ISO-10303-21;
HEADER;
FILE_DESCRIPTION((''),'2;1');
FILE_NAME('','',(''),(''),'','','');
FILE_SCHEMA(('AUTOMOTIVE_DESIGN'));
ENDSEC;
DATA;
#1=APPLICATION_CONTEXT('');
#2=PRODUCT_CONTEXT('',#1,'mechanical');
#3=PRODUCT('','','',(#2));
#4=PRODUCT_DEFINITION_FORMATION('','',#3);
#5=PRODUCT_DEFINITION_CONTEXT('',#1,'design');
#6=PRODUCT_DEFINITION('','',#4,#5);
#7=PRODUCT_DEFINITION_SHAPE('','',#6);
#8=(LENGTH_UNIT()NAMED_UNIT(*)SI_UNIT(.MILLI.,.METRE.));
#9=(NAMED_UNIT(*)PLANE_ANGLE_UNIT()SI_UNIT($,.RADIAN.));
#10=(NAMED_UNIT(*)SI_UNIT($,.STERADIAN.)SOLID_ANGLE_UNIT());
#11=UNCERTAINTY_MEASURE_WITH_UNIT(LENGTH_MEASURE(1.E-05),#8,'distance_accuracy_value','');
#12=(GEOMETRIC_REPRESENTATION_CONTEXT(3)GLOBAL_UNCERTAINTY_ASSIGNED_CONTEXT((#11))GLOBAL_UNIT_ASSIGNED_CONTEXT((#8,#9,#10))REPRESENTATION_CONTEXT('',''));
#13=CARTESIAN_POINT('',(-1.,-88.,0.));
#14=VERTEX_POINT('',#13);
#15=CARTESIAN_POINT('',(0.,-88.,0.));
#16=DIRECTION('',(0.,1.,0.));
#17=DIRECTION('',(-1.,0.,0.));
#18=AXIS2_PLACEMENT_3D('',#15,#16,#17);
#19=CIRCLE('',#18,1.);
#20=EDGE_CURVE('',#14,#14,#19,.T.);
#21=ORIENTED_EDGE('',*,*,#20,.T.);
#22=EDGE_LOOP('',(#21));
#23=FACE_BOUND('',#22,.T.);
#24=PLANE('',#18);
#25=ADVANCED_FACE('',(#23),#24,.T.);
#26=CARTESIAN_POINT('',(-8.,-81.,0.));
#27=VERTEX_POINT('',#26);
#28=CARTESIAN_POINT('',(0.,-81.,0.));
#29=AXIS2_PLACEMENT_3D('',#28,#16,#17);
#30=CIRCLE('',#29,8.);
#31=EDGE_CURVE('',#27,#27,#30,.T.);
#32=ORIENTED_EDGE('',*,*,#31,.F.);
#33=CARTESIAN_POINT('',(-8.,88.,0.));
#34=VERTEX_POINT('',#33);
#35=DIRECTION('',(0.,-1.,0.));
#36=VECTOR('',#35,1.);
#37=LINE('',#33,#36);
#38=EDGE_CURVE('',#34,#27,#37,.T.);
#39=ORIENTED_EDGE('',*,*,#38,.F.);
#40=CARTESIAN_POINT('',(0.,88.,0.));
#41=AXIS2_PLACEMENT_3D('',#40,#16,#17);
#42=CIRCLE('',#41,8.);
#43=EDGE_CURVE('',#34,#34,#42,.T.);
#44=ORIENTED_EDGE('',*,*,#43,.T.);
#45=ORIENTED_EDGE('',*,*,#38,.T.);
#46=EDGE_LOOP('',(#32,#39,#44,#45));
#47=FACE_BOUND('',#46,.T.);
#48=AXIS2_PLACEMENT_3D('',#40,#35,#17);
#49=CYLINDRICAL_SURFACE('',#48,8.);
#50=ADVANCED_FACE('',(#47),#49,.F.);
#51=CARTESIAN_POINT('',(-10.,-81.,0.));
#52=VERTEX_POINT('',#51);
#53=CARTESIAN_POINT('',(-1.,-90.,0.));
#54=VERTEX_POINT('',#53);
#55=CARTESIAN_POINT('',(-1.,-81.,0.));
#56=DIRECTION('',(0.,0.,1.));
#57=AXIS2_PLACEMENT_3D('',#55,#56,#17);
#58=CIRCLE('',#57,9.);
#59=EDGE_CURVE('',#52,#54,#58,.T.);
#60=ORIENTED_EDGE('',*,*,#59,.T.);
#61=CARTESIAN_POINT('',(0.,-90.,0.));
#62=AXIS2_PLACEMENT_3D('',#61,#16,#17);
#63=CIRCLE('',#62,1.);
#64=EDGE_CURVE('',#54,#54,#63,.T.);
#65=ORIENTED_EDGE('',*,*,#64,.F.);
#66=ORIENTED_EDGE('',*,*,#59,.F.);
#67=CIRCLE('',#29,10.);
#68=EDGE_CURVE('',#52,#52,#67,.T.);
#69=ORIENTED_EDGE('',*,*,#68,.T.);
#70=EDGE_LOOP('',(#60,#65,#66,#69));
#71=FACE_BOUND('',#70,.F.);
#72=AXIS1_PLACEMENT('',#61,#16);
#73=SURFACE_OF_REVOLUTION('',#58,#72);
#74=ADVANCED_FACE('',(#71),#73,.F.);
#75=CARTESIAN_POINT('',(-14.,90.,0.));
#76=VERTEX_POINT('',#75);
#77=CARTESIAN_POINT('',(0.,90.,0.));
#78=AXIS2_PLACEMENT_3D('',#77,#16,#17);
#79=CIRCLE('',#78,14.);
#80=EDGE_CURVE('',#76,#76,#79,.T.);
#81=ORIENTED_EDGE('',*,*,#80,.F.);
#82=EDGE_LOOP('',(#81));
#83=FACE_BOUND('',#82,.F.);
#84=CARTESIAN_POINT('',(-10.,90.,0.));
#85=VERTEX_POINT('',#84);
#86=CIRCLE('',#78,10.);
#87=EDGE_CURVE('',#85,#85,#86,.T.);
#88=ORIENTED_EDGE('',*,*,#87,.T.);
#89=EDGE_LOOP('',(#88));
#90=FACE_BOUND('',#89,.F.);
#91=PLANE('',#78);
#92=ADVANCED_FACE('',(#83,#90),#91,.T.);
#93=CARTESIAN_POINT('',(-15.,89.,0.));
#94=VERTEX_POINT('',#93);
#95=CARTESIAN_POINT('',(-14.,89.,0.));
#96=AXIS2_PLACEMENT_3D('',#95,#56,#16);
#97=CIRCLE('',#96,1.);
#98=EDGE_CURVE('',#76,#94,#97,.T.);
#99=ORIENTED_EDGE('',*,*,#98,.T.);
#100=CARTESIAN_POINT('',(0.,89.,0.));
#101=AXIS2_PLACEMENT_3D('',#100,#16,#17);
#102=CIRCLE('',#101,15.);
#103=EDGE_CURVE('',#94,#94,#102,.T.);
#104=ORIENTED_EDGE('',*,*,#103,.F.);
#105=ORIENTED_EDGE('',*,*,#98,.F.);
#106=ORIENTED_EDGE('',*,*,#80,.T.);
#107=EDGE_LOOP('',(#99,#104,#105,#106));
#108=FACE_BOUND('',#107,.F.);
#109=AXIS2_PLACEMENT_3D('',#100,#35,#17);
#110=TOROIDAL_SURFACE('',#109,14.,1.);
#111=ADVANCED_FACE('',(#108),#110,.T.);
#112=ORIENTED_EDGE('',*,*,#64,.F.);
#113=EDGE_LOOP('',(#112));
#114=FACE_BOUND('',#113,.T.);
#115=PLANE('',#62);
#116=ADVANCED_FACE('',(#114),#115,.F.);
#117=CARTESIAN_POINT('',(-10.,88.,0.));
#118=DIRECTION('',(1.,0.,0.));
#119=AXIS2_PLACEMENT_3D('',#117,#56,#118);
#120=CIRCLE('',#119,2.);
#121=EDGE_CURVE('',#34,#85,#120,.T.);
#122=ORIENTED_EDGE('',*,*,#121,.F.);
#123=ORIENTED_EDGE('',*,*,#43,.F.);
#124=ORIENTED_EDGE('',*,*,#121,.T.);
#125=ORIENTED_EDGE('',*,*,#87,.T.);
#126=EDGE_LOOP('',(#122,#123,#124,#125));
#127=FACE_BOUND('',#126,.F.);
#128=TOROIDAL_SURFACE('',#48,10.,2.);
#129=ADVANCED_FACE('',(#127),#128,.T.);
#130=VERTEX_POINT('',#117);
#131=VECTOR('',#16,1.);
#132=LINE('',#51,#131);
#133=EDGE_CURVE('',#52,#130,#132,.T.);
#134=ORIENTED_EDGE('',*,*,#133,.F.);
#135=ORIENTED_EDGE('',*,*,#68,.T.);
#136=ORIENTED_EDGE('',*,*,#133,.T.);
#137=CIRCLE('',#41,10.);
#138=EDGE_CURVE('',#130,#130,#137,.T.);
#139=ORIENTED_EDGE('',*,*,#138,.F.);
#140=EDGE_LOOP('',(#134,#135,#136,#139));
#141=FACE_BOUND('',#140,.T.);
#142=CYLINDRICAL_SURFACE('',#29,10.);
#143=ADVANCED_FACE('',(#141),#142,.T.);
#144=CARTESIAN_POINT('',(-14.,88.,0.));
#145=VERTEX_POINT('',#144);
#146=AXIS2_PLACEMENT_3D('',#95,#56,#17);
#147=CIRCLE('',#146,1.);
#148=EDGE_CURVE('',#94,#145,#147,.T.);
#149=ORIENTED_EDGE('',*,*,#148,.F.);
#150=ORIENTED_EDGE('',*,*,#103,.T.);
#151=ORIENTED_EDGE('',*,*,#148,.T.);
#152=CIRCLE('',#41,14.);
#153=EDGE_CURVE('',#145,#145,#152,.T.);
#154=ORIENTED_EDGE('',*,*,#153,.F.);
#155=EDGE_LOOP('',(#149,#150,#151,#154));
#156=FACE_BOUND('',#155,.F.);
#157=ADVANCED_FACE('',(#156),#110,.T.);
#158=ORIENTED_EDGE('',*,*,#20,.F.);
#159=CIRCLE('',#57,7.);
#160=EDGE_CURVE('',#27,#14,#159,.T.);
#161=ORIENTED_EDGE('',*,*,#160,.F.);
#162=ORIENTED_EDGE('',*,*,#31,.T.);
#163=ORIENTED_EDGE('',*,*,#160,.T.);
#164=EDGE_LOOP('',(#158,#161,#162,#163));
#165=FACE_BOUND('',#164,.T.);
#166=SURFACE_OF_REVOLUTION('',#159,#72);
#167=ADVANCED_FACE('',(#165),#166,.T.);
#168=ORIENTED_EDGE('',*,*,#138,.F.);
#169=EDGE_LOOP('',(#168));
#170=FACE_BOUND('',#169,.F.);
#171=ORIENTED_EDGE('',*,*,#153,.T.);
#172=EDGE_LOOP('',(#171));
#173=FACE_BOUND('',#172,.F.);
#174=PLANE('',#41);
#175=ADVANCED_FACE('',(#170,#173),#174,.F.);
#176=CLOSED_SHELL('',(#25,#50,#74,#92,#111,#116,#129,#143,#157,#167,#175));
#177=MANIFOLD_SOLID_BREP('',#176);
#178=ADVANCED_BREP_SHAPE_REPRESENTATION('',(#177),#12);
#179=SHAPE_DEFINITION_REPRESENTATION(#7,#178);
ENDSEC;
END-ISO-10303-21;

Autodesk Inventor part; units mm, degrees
ref_plane "YZ Plane" through (0, 0, 0) normal (1, 0, 0) x (0, 1, 0)
ref_plane "XZ Plane" through (0, 0, 0) normal (0, 1, 0) x (-1, 0, 0)
ref_plane "XY Plane" through (0, 0, 0) normal (0, 0, 1) x (1, 0, 0)
sketch "Szkic1" plane through (0, 0, 0) normal (0, 0, 1) x (1, 0, 0)
  line L0 (1, -90) -> (-1, -90)
  line L1 (-10, -81) -> (-10, 90)
  line L2 (-10, 90) -> (-10, 90)
  line L3 (10, 90) -> (10, -81)
  line L4 (10, -90) -> (-10, 90) construction
  line L5 (-10, -90) -> (10, 90) construction
  arc A0 (1, -90) -> (10, -81) centre (1, -81) ccw
  arc A1 (-10, -81) -> (-1, -90) centre (-1, -81) ccw
  line L6 (-10, 90) -> (-14, 90)
  line L7 (-15, 89) -> (-15, 89)
  line L8 (-14, 88) -> (-10, 88)
  line L9 (-10, 88) -> (-10, 90)
  line L10 (10, 90) -> (14, 90)
  line L11 (15, 89) -> (15, 89)
  line L12 (14, 88) -> (10, 88)
  line L13 (10, 88) -> (10, 90)
  arc A2 (14, 88) -> (15, 89) centre (14, 89) ccw
  arc A3 (15, 89) -> (14, 90) centre (14, 89) ccw
  arc A4 (-15, 89) -> (-14, 88) centre (-14, 89) ccw
  arc A5 (-14, 90) -> (-15, 89) centre (-14, 89) ccw
  line L14 (-8, 88) -> (-8, -81)
  arc A6 (-8, -81) -> (-1, -88) centre (-1, -81) ccw
  line L15 (-1, -88) -> (1, -88)
  arc A7 (1, -88) -> (8, -81) centre (1, -81) ccw
  line L16 (8, -81) -> (8, 88)
  arc A8 (-8, 88) -> (-10, 90) centre (-10, 88) ccw
  line L17 (10, 90) -> (10, 90)
  arc A9 (10, 90) -> (8, 88) centre (10, 88) ccw
  line L18 (0, -90) -> (0, 71.327) construction
  line L19 (0, -90) -> (0, -88)
  point P0 (0, 0)
  point P1 (-15, 88)
  point P2 (-15, 90)
  point P3 (15, 88)
  point P4 (-10, 90)
  point P5 (-10, 88)
  dimension "d0" = 20
  dimension "d1" = 180
  dimension "d2" = 9
  dimension "d3" = 9
  dimension "d4" = 5
  dimension "d5" = 2
  dimension "d6" = 5
  dimension "d7" = 1
  dimension "d8" = 1
  dimension "d9" = 1
  dimension "d10" = 1
  dimension "d11" = 2
  dimension "d12" = 2
  dimension "d13" = 2
revolve "Obrót1" add sketch "Szkic1" angle 360 about axis through (0, -90, 0) along (0, 1, 0) contours L0 A1 L1 A8 L14 A6 L15 L19 | L8 A4 A5 L6 L1
properties part number "fiolka" material "Szkło"
